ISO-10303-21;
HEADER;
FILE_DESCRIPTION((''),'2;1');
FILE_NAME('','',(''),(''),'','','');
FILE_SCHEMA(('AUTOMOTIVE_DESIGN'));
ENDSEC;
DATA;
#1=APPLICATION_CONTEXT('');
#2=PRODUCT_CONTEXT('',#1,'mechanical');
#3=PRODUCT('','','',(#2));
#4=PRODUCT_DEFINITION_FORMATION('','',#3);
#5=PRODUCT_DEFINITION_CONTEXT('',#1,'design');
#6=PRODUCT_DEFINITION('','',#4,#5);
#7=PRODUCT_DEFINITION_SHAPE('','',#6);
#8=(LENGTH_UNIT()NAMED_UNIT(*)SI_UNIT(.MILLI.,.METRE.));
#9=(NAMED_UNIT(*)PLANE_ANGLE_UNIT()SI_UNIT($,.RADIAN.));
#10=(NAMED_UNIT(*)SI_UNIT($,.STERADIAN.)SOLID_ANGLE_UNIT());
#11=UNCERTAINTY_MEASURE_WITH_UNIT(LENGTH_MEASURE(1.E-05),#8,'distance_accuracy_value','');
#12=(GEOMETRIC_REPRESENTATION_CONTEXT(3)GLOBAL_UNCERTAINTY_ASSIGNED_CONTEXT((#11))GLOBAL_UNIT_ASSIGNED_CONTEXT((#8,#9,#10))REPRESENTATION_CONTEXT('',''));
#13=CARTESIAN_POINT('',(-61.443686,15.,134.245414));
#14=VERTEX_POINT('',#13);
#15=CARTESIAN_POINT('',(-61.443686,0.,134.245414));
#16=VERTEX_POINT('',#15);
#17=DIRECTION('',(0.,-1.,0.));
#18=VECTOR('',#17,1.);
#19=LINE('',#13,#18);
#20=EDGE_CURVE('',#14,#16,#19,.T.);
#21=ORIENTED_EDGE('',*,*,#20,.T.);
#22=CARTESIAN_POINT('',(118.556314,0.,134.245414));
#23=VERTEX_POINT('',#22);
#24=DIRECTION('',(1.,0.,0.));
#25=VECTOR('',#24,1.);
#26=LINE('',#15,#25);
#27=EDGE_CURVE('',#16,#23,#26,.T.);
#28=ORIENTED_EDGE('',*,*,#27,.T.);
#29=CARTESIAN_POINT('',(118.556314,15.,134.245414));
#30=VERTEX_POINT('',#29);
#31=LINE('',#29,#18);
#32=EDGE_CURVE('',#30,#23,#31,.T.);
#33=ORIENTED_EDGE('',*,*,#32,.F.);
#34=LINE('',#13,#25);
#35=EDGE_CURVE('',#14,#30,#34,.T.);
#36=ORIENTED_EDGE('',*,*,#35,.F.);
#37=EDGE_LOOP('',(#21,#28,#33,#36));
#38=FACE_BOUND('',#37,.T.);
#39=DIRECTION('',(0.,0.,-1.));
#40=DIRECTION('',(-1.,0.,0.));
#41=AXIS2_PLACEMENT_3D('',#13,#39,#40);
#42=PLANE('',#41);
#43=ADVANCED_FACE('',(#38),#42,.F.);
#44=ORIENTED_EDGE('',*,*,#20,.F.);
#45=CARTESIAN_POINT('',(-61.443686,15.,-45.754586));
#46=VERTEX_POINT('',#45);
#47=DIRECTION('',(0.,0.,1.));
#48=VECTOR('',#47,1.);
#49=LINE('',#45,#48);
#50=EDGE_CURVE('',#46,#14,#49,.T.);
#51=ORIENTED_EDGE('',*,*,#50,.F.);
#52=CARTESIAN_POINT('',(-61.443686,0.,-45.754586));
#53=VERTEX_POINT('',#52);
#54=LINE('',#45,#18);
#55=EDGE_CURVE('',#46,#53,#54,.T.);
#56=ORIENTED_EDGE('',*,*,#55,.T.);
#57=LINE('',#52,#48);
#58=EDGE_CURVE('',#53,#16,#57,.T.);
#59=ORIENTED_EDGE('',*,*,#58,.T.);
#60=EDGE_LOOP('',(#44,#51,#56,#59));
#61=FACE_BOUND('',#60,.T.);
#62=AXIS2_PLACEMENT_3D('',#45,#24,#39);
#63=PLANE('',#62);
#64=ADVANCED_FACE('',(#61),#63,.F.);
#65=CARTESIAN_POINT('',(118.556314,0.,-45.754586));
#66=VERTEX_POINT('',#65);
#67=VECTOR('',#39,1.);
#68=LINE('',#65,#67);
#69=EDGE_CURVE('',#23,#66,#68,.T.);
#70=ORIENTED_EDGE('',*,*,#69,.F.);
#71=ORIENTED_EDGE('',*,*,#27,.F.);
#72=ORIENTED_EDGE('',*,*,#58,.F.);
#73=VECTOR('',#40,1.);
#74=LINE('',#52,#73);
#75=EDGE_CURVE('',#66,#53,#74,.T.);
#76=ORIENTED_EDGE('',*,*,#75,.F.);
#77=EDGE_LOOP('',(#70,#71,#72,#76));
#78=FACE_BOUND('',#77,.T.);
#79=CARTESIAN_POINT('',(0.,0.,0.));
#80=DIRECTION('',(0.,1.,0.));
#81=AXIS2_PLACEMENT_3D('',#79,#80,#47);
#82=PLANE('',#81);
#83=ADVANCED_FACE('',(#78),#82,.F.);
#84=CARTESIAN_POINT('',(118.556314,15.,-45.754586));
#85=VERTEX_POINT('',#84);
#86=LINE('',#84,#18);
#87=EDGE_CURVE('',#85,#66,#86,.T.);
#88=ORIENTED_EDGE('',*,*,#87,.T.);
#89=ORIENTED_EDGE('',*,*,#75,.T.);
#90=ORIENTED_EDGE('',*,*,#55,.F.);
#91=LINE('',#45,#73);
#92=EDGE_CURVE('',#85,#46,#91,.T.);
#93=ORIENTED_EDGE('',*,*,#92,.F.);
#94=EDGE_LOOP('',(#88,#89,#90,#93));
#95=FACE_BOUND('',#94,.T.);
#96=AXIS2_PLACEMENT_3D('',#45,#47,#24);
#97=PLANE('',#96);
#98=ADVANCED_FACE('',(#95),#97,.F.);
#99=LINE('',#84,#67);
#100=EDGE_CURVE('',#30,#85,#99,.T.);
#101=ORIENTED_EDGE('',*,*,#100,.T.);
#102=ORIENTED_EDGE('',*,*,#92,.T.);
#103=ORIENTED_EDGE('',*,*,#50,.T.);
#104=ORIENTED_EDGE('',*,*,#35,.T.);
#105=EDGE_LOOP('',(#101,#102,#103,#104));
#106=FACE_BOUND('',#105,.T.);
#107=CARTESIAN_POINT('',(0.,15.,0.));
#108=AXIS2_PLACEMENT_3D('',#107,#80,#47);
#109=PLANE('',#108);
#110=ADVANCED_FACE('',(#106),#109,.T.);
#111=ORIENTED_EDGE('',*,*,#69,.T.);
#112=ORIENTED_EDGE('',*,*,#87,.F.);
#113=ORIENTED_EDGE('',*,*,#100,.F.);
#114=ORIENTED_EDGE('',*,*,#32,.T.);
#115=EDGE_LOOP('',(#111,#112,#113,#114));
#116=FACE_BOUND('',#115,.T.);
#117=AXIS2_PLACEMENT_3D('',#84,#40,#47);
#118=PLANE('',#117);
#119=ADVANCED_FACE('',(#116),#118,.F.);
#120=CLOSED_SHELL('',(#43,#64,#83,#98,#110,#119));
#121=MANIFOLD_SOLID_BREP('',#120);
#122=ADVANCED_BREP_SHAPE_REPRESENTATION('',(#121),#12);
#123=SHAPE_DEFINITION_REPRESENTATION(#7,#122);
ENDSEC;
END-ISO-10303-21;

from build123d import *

# Parameters (mm, degrees)
CROQUIS1_W              = 180
CROQUIS1_H              = 180
SALIENTE_EXTRUIR1_DEPTH = 15


with BuildPart() as part:
    # Croquis1 → Saliente-Extruir1 (new body)
    with BuildSketch(Plane(origin=(0, 0, 0), x_dir=(1, 0, 0), z_dir=(0, 1, 0))):
        with Locations((28.556314389, -44.245413514)):
            Rectangle(CROQUIS1_W, CROQUIS1_H)
    extrude(amount=SALIENTE_EXTRUIR1_DEPTH)


solid = part.part
